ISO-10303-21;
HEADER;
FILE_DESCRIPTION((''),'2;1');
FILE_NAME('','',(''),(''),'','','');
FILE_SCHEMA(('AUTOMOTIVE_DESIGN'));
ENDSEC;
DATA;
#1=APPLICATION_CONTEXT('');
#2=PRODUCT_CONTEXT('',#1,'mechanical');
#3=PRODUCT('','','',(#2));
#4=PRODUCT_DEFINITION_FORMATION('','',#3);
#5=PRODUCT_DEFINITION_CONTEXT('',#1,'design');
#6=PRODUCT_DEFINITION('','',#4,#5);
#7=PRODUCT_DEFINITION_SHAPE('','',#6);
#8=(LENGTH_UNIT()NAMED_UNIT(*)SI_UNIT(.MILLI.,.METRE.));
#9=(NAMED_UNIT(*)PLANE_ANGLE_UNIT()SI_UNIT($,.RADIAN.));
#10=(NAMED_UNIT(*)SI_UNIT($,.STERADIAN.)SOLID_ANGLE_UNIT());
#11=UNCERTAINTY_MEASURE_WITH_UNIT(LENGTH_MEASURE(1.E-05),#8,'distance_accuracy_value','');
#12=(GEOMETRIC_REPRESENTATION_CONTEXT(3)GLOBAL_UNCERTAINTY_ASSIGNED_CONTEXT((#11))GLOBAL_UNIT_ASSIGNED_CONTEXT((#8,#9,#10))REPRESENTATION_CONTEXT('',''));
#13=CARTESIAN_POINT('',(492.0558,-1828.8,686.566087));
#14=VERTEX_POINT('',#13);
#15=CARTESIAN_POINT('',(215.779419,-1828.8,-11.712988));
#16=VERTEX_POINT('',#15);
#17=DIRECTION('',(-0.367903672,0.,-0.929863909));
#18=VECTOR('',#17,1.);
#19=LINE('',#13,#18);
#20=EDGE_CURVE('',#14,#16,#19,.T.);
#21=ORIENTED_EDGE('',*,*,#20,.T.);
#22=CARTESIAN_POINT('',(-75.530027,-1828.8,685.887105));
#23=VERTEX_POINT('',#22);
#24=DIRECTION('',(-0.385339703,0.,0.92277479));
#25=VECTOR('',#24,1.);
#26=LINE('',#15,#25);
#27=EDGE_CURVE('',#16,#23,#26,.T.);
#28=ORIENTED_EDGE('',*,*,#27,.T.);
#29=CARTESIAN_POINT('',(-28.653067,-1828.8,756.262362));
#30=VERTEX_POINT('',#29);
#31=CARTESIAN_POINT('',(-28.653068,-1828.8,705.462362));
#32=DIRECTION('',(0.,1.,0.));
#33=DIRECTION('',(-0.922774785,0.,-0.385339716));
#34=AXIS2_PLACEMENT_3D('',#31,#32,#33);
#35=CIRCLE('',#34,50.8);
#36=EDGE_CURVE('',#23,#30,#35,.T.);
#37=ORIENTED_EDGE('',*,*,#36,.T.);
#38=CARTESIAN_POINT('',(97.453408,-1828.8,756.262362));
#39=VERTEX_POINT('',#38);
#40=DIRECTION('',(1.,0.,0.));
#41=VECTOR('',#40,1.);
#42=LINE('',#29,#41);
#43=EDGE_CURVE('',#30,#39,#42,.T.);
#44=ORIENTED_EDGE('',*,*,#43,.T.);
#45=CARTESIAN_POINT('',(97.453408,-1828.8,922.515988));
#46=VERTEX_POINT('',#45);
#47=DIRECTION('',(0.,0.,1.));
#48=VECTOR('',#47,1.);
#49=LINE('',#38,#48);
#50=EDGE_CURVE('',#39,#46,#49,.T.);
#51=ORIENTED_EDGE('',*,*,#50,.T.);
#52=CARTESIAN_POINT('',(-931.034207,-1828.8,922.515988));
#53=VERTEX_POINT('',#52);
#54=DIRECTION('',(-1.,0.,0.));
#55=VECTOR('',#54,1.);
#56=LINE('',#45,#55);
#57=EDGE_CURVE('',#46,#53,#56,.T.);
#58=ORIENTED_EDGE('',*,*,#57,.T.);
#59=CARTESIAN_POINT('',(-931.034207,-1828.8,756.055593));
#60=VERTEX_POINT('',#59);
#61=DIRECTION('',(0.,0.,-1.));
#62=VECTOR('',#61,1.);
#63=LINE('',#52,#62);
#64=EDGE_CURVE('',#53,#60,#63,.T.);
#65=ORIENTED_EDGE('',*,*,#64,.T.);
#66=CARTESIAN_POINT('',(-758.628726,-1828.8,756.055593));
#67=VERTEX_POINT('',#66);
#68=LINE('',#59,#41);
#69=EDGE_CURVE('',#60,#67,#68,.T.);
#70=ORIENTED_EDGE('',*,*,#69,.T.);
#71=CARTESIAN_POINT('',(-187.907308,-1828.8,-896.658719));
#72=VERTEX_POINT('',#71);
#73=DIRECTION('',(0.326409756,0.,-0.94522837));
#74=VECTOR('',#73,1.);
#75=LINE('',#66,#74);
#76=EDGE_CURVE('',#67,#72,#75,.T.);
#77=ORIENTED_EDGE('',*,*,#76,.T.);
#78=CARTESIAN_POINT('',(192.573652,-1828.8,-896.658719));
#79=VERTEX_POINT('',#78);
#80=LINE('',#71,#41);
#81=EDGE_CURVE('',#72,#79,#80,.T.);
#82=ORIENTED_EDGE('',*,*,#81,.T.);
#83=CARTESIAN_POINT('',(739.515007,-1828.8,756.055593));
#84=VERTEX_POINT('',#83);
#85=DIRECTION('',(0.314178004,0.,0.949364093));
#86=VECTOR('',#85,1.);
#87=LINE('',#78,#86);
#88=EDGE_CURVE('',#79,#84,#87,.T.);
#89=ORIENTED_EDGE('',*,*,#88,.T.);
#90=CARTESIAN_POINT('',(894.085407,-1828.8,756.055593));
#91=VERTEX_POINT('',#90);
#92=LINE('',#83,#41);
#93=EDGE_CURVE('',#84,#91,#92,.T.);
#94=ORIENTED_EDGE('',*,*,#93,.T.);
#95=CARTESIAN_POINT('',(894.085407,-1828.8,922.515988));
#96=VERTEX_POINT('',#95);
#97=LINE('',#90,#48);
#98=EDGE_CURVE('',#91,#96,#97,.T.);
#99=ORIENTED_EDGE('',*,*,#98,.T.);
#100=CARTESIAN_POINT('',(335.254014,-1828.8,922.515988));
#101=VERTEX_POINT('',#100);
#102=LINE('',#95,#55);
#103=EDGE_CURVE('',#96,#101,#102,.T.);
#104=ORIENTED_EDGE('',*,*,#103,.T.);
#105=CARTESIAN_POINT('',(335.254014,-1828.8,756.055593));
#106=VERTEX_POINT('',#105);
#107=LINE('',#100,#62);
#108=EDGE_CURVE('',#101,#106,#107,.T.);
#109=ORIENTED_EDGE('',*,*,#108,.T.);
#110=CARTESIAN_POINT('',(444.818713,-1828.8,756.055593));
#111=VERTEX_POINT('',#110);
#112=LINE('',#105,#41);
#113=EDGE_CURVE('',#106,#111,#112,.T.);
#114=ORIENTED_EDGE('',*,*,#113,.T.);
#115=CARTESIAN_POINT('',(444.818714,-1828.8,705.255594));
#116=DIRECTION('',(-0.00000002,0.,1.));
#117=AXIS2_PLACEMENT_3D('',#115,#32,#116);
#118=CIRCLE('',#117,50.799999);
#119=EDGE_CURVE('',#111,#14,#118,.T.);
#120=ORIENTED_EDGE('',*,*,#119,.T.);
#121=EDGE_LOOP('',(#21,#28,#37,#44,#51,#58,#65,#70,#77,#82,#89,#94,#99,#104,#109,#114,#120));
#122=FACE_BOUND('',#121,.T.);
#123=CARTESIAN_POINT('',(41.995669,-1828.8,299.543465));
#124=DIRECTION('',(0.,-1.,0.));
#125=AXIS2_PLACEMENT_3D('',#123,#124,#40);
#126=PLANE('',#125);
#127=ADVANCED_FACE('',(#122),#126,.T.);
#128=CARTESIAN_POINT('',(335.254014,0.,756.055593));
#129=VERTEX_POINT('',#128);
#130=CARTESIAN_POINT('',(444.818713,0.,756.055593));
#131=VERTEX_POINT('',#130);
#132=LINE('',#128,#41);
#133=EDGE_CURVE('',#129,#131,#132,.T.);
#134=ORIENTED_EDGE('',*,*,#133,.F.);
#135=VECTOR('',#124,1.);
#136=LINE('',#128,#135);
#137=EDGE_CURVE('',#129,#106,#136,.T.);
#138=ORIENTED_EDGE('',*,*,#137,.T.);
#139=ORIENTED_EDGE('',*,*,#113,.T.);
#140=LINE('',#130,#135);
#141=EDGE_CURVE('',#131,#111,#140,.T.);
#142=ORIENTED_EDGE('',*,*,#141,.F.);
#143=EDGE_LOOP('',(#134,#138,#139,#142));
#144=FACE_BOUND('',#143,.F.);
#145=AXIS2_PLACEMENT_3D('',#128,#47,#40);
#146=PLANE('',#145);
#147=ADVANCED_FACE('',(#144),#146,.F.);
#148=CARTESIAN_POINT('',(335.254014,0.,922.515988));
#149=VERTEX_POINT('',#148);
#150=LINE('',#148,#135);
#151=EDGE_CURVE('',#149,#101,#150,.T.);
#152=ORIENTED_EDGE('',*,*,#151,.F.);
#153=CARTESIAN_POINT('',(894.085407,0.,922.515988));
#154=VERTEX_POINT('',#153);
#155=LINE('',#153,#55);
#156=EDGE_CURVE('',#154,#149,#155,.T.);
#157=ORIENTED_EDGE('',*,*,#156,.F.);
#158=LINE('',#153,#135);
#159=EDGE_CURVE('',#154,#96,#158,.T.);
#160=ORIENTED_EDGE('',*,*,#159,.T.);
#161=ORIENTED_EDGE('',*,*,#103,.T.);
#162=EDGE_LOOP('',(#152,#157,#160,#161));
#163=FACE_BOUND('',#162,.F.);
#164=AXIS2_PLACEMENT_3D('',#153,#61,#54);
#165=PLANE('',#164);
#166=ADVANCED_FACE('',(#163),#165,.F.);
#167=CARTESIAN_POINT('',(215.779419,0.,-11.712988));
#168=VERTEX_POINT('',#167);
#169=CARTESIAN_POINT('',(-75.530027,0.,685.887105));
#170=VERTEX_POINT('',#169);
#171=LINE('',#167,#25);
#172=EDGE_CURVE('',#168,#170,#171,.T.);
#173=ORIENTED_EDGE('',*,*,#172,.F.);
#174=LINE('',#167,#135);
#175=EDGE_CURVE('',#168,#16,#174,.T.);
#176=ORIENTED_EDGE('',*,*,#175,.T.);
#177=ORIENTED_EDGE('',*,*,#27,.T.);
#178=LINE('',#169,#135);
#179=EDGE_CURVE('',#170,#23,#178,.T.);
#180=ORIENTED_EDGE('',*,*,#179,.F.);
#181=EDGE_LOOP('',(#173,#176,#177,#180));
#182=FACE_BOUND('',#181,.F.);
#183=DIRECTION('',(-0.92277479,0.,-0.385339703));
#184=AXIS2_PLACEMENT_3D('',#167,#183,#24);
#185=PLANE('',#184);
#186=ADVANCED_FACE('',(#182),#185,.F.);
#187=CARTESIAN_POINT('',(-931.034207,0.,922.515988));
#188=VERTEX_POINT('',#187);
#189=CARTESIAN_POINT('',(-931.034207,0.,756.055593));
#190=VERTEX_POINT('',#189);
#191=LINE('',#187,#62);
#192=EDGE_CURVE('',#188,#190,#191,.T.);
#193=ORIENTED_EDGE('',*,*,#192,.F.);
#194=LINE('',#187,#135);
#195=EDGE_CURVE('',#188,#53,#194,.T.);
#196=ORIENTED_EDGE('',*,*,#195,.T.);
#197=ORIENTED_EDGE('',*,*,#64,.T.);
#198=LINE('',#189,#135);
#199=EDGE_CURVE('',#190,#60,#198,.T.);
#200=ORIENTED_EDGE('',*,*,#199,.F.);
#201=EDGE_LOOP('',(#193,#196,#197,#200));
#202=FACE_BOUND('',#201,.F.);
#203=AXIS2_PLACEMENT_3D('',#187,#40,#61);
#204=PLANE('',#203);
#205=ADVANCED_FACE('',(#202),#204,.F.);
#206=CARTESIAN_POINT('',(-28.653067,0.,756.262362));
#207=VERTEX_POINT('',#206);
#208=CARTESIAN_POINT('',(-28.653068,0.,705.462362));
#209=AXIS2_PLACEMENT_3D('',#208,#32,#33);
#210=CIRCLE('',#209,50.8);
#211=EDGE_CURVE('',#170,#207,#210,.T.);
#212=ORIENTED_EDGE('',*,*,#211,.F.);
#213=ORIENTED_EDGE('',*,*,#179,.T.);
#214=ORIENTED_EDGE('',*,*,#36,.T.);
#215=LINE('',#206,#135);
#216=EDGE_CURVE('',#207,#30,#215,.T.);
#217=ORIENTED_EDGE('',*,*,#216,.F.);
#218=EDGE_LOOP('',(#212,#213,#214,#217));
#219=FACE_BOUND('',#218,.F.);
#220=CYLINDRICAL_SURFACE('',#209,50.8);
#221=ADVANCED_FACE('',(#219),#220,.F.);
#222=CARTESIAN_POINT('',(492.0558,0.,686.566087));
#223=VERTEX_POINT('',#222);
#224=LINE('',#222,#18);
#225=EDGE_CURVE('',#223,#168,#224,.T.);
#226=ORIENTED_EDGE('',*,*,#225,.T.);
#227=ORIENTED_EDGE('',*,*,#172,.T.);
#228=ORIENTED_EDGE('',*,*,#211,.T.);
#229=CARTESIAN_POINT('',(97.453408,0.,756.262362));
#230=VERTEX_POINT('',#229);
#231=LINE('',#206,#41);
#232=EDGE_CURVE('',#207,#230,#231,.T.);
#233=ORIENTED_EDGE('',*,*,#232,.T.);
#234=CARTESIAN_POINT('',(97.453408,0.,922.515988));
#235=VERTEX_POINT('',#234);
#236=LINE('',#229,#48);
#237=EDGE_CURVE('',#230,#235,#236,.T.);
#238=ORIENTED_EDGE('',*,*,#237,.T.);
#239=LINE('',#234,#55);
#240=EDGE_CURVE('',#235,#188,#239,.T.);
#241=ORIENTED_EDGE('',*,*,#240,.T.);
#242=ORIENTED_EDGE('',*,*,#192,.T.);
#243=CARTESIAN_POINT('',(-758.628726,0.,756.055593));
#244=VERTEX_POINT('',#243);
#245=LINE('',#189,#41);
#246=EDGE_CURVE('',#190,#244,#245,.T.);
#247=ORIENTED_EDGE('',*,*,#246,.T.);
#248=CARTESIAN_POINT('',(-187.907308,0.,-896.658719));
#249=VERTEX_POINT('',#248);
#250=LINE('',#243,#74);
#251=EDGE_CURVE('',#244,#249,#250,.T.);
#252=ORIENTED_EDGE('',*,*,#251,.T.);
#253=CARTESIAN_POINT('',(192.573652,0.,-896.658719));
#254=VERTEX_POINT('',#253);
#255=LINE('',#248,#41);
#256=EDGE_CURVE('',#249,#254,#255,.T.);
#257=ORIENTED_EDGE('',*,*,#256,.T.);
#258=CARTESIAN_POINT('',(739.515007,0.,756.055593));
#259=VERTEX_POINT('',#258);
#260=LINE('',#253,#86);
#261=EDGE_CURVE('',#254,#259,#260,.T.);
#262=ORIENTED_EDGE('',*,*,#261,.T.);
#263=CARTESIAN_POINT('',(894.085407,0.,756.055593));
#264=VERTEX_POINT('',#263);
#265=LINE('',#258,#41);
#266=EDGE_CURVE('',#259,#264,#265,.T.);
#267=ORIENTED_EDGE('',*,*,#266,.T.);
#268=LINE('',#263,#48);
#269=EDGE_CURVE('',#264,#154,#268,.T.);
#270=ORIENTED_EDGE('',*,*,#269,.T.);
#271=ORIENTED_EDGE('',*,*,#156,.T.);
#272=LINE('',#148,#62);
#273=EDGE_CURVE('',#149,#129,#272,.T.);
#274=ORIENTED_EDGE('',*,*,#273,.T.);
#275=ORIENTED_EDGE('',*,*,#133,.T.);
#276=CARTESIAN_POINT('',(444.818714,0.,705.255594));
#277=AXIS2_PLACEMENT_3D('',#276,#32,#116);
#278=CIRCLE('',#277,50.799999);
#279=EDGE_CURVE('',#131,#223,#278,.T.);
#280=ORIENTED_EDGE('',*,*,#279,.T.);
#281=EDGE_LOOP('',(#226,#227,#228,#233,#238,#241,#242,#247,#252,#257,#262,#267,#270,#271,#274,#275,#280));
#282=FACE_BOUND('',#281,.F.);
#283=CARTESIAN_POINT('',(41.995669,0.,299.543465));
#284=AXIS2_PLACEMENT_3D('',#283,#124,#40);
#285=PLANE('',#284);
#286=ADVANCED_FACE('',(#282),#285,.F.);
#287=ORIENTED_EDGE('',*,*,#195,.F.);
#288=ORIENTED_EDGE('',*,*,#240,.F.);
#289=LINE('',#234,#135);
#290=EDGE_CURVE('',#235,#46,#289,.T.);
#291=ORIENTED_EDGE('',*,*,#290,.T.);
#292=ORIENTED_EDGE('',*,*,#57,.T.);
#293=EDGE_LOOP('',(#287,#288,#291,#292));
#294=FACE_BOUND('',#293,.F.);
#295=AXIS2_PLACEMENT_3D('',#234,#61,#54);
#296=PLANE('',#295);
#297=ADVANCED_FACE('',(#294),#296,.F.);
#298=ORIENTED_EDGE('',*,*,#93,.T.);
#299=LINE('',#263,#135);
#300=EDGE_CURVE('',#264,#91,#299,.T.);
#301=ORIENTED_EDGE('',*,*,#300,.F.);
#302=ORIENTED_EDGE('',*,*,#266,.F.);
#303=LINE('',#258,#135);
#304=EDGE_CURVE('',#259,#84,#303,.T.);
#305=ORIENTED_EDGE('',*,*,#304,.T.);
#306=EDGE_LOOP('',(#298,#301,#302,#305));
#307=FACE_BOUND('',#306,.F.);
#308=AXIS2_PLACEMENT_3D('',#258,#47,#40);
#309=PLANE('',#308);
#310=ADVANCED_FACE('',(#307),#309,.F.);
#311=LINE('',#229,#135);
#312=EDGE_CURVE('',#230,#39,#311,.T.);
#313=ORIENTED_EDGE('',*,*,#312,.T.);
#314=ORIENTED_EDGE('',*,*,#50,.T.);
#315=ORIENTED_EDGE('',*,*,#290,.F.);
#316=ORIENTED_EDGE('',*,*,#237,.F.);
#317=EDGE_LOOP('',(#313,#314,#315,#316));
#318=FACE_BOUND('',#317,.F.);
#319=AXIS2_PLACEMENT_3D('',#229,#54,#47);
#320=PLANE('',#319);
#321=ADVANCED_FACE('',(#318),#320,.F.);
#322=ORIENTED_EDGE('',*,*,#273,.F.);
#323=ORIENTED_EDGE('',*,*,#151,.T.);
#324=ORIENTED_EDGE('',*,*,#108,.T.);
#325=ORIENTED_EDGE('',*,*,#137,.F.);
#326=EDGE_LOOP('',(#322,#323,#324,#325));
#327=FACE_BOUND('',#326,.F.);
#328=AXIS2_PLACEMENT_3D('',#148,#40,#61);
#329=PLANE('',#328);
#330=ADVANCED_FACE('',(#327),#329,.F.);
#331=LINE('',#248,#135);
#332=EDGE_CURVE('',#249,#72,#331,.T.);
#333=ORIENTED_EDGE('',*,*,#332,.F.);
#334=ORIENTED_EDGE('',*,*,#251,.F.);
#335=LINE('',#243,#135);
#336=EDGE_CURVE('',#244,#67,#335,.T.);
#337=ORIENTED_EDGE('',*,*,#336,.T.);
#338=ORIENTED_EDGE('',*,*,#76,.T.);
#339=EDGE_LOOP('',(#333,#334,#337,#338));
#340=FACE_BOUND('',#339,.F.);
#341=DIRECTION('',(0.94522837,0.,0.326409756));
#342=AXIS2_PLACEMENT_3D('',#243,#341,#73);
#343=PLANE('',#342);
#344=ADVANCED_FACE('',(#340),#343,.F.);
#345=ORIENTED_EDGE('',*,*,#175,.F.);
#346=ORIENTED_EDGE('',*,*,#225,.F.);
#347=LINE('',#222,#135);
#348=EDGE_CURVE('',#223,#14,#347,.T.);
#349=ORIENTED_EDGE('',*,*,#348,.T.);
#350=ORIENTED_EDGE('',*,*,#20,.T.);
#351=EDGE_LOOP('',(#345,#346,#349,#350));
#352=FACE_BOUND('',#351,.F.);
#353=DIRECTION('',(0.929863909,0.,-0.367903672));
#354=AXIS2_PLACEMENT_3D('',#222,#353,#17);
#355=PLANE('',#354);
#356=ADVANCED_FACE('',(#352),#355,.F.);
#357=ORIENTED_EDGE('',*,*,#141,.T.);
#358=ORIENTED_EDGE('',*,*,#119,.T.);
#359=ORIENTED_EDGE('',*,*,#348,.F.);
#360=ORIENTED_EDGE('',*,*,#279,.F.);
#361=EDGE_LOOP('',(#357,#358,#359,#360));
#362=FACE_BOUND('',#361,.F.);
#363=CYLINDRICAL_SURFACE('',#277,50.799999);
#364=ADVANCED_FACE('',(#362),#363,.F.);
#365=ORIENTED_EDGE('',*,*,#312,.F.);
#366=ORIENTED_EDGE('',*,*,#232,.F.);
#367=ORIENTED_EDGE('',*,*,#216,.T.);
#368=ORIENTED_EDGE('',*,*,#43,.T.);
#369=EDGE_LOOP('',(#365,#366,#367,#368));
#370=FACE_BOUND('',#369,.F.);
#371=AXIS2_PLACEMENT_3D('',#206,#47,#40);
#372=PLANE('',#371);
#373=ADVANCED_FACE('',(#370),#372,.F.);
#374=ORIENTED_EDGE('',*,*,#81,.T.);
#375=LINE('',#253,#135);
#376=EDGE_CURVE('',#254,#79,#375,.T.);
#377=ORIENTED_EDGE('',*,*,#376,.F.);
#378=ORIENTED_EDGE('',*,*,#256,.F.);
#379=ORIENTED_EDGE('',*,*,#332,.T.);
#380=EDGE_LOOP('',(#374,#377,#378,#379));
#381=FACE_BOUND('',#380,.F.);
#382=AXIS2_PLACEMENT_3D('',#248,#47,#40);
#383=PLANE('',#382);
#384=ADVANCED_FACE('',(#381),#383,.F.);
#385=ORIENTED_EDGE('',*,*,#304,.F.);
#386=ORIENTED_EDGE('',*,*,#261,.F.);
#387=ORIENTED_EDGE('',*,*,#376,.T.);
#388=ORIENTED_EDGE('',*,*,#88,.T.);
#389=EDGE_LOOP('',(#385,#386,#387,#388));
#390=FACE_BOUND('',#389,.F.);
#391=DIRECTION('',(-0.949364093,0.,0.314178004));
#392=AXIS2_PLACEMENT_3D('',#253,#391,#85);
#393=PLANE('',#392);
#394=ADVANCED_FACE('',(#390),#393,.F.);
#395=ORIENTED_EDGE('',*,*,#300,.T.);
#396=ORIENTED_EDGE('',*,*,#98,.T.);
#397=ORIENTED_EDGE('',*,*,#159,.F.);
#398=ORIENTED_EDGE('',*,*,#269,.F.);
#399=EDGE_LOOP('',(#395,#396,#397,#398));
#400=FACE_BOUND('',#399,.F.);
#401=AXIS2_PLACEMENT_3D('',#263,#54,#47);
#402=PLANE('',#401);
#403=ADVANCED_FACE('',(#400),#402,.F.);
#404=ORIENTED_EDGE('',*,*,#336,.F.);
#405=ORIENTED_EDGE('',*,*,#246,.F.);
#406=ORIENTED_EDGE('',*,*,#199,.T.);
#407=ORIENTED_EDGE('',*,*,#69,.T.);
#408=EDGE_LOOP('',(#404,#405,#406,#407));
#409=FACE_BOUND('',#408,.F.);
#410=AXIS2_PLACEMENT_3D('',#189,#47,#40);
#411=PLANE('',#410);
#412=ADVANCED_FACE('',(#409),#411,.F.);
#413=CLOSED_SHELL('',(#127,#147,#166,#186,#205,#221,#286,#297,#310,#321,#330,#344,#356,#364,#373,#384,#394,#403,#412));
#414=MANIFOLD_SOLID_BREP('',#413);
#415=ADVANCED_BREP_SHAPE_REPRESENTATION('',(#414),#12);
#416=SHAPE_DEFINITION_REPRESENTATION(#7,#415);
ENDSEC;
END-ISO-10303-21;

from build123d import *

# Parameters (mm, degrees)
F1_DEPTH = 1828.8


with BuildPart() as f1:
    # F0 (on Front) → F1 (new body)
    with BuildSketch(Plane.XZ):
        with BuildLine():
            Line((-931.034207, 922.515988), (-931.034207, 756.055593))
            Line((-931.034207, 756.055593), (-758.628726, 756.055593))
            Line((-758.628726, 756.055593), (-187.907308, -896.658719))
            Line((-187.907308, -896.658719), (192.573652, -896.658719))
            Line((192.573652, -896.658719), (739.515007, 756.055593))
            Line((739.515007, 756.055593), (894.085407, 756.055593))
            Line((894.085407, 756.055593), (894.085407, 922.515988))
            Line((894.085407, 922.515988), (335.254014, 922.515988))
            Line((335.254014, 922.515988), (335.254014, 756.055593))
            Line((335.254014, 756.055593), (444.818713, 756.055593))
            ThreePointArc((444.818713, 756.055593), (486.831015, 733.814419), (492.0558, 686.566087))
            Line((492.0558, 686.566087), (215.779419, -11.712988))
            Line((215.779419, -11.712988), (-75.530027, 685.887105))
            ThreePointArc((-75.530027, 685.887105), (-70.932277, 733.624544), (-28.653067, 756.262362))
            Line((-28.653067, 756.262362), (97.453408, 756.262362))
            Line((97.453408, 756.262362), (97.453408, 922.515988))
            Line((97.453408, 922.515988), (-931.034207, 922.515988))
        make_face()
    extrude(amount=F1_DEPTH)


solid = f1.part
